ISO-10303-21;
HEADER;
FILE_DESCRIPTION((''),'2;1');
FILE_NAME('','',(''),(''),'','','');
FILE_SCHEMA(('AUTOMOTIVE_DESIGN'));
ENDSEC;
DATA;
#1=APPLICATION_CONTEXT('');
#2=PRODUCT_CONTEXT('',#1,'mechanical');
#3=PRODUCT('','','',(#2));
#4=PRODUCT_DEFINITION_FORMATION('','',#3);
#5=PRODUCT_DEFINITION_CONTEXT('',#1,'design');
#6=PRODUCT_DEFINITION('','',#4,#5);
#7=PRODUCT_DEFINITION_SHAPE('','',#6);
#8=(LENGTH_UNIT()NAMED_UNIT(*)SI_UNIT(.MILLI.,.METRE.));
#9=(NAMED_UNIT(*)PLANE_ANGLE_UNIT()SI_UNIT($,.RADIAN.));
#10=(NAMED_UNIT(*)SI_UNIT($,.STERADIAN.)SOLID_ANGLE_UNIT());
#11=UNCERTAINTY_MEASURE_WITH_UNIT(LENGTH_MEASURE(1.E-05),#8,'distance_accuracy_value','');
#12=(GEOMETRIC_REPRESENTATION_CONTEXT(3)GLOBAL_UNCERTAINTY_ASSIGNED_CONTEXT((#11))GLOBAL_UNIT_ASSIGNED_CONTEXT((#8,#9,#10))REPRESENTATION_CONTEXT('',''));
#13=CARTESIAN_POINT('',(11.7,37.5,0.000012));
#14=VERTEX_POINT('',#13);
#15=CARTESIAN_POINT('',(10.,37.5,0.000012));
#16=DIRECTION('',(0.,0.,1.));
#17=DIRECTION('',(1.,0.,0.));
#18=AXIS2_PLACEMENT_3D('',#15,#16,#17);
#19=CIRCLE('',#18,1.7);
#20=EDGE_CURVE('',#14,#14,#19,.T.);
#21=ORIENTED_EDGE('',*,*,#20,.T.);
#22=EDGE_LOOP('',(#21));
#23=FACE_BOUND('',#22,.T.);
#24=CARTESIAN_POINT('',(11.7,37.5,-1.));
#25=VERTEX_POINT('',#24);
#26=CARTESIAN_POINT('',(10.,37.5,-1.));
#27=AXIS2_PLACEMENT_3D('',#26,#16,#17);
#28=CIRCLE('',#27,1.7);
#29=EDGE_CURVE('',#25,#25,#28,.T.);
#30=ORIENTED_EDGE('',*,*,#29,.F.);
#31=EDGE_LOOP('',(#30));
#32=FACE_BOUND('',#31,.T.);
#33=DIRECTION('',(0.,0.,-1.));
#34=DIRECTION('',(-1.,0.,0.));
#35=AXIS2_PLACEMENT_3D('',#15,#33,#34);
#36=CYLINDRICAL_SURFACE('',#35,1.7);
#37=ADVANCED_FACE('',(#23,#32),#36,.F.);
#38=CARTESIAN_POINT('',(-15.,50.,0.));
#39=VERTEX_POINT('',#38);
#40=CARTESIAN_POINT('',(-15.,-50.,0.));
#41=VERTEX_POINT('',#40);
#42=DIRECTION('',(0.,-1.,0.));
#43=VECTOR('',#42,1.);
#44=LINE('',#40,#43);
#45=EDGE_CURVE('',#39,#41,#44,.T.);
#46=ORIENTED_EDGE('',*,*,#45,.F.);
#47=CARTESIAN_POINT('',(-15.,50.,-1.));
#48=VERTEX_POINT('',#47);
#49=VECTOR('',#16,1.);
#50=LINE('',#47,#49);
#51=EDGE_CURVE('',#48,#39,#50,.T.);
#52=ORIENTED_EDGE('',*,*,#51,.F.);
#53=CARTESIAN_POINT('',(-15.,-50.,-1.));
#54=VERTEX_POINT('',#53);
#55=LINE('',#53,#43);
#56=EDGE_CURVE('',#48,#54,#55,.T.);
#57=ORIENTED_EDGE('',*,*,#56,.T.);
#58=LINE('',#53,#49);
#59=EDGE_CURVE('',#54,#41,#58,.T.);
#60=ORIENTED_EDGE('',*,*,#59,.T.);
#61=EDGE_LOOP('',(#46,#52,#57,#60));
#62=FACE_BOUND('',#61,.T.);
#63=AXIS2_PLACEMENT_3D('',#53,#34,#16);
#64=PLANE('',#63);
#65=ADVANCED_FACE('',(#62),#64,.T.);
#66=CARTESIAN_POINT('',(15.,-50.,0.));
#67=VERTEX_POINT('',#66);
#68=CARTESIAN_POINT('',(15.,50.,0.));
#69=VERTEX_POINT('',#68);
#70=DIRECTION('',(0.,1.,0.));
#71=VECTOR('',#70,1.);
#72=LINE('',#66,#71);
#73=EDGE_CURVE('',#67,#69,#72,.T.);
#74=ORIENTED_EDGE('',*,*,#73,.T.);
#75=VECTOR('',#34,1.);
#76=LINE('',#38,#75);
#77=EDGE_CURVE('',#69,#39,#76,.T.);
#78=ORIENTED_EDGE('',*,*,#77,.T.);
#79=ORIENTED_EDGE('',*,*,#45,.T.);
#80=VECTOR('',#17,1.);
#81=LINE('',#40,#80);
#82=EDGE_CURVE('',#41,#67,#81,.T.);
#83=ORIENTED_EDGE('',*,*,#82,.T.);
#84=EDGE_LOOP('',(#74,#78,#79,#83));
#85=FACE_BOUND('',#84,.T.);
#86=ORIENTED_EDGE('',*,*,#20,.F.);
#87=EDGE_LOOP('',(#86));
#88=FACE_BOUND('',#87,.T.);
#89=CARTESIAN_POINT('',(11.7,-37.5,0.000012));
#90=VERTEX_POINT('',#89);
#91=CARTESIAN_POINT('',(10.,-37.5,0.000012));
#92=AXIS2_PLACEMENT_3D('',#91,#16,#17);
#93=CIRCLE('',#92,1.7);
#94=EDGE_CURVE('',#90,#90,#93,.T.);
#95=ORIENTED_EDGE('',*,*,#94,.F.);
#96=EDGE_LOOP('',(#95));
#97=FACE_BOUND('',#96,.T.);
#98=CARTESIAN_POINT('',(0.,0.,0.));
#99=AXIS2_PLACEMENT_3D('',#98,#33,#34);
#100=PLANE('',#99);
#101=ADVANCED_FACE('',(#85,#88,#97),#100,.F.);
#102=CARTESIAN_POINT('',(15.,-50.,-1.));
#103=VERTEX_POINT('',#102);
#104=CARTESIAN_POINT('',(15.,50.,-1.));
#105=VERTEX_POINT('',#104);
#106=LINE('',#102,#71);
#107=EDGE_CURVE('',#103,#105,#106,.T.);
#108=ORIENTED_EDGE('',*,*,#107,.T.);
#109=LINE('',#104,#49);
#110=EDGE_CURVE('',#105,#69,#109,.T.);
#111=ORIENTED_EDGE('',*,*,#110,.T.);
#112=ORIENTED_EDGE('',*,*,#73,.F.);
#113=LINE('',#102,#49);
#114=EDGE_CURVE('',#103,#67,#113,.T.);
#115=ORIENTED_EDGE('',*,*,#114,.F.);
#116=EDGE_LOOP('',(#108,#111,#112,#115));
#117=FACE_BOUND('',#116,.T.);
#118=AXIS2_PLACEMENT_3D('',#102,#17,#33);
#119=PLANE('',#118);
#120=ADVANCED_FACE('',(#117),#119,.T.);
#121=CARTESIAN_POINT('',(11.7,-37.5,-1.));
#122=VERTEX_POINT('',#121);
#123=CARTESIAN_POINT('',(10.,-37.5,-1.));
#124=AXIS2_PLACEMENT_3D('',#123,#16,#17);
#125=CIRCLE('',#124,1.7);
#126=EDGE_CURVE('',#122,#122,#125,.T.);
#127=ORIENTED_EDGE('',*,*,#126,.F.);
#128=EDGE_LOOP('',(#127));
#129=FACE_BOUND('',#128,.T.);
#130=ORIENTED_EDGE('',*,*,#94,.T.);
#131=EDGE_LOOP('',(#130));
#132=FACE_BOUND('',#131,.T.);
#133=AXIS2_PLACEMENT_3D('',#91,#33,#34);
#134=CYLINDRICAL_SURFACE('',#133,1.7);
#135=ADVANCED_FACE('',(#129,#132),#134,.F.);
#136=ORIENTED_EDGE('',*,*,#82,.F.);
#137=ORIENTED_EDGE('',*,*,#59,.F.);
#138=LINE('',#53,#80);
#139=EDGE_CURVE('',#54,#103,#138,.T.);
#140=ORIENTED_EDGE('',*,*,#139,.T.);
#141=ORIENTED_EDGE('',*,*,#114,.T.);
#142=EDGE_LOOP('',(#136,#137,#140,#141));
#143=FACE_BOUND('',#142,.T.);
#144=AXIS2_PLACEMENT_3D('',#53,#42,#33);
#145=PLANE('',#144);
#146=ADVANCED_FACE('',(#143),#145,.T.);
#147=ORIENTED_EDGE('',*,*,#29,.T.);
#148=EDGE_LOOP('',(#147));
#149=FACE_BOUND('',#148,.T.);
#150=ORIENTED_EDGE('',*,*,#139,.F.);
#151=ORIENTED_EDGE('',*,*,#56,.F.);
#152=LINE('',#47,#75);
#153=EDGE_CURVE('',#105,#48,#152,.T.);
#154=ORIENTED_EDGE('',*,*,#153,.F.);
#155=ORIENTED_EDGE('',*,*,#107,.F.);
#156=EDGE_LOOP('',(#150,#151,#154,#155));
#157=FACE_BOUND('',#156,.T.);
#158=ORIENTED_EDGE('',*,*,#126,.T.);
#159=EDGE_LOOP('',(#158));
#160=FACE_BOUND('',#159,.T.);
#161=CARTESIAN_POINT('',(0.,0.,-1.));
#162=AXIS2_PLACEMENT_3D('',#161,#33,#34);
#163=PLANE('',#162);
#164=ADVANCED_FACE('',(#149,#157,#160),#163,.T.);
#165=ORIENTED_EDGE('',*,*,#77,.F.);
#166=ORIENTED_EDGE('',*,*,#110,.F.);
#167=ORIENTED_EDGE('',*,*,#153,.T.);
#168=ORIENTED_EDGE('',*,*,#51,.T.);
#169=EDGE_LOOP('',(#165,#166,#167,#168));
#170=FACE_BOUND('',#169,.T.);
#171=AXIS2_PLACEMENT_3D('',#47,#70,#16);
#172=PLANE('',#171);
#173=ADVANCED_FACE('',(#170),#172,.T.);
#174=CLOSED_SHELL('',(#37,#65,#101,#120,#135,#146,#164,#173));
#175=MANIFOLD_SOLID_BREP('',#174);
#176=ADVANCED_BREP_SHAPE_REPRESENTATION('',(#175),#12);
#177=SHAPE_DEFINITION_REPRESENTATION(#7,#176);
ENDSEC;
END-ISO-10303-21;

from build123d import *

# Parameters (mm, degrees)
SKETCH1_W               = 30
SKETCH1_H               = 100
BOSS_EXTRUDE1_DEPTH     = 1
CUT_EXTRUDE1_DEPTH      = 53.211109929
CUT_EXTRUDE1_DEPTH_BACK = 53.211109929
SKETCH2_R               = 1.7


with BuildPart() as part:
    # Sketch1 → Boss-Extrude1 (new body)
    with BuildSketch(Plane.XY):
        Rectangle(SKETCH1_W, SKETCH1_H)
    extrude(amount=-BOSS_EXTRUDE1_DEPTH)

    # Sketch2 → Cut-Extrude1 (cut, two sides: drawn at the far end of the back side and taken through both)
    with BuildSketch(Plane.XY.offset(-CUT_EXTRUDE1_DEPTH_BACK)):
        with Locations((10, -37.5)):
            Circle(SKETCH2_R)
        with Locations((10, 37.5)):
            Circle(SKETCH2_R)
    extrude(amount=CUT_EXTRUDE1_DEPTH + CUT_EXTRUDE1_DEPTH_BACK, mode=Mode.SUBTRACT)


solid = part.part
